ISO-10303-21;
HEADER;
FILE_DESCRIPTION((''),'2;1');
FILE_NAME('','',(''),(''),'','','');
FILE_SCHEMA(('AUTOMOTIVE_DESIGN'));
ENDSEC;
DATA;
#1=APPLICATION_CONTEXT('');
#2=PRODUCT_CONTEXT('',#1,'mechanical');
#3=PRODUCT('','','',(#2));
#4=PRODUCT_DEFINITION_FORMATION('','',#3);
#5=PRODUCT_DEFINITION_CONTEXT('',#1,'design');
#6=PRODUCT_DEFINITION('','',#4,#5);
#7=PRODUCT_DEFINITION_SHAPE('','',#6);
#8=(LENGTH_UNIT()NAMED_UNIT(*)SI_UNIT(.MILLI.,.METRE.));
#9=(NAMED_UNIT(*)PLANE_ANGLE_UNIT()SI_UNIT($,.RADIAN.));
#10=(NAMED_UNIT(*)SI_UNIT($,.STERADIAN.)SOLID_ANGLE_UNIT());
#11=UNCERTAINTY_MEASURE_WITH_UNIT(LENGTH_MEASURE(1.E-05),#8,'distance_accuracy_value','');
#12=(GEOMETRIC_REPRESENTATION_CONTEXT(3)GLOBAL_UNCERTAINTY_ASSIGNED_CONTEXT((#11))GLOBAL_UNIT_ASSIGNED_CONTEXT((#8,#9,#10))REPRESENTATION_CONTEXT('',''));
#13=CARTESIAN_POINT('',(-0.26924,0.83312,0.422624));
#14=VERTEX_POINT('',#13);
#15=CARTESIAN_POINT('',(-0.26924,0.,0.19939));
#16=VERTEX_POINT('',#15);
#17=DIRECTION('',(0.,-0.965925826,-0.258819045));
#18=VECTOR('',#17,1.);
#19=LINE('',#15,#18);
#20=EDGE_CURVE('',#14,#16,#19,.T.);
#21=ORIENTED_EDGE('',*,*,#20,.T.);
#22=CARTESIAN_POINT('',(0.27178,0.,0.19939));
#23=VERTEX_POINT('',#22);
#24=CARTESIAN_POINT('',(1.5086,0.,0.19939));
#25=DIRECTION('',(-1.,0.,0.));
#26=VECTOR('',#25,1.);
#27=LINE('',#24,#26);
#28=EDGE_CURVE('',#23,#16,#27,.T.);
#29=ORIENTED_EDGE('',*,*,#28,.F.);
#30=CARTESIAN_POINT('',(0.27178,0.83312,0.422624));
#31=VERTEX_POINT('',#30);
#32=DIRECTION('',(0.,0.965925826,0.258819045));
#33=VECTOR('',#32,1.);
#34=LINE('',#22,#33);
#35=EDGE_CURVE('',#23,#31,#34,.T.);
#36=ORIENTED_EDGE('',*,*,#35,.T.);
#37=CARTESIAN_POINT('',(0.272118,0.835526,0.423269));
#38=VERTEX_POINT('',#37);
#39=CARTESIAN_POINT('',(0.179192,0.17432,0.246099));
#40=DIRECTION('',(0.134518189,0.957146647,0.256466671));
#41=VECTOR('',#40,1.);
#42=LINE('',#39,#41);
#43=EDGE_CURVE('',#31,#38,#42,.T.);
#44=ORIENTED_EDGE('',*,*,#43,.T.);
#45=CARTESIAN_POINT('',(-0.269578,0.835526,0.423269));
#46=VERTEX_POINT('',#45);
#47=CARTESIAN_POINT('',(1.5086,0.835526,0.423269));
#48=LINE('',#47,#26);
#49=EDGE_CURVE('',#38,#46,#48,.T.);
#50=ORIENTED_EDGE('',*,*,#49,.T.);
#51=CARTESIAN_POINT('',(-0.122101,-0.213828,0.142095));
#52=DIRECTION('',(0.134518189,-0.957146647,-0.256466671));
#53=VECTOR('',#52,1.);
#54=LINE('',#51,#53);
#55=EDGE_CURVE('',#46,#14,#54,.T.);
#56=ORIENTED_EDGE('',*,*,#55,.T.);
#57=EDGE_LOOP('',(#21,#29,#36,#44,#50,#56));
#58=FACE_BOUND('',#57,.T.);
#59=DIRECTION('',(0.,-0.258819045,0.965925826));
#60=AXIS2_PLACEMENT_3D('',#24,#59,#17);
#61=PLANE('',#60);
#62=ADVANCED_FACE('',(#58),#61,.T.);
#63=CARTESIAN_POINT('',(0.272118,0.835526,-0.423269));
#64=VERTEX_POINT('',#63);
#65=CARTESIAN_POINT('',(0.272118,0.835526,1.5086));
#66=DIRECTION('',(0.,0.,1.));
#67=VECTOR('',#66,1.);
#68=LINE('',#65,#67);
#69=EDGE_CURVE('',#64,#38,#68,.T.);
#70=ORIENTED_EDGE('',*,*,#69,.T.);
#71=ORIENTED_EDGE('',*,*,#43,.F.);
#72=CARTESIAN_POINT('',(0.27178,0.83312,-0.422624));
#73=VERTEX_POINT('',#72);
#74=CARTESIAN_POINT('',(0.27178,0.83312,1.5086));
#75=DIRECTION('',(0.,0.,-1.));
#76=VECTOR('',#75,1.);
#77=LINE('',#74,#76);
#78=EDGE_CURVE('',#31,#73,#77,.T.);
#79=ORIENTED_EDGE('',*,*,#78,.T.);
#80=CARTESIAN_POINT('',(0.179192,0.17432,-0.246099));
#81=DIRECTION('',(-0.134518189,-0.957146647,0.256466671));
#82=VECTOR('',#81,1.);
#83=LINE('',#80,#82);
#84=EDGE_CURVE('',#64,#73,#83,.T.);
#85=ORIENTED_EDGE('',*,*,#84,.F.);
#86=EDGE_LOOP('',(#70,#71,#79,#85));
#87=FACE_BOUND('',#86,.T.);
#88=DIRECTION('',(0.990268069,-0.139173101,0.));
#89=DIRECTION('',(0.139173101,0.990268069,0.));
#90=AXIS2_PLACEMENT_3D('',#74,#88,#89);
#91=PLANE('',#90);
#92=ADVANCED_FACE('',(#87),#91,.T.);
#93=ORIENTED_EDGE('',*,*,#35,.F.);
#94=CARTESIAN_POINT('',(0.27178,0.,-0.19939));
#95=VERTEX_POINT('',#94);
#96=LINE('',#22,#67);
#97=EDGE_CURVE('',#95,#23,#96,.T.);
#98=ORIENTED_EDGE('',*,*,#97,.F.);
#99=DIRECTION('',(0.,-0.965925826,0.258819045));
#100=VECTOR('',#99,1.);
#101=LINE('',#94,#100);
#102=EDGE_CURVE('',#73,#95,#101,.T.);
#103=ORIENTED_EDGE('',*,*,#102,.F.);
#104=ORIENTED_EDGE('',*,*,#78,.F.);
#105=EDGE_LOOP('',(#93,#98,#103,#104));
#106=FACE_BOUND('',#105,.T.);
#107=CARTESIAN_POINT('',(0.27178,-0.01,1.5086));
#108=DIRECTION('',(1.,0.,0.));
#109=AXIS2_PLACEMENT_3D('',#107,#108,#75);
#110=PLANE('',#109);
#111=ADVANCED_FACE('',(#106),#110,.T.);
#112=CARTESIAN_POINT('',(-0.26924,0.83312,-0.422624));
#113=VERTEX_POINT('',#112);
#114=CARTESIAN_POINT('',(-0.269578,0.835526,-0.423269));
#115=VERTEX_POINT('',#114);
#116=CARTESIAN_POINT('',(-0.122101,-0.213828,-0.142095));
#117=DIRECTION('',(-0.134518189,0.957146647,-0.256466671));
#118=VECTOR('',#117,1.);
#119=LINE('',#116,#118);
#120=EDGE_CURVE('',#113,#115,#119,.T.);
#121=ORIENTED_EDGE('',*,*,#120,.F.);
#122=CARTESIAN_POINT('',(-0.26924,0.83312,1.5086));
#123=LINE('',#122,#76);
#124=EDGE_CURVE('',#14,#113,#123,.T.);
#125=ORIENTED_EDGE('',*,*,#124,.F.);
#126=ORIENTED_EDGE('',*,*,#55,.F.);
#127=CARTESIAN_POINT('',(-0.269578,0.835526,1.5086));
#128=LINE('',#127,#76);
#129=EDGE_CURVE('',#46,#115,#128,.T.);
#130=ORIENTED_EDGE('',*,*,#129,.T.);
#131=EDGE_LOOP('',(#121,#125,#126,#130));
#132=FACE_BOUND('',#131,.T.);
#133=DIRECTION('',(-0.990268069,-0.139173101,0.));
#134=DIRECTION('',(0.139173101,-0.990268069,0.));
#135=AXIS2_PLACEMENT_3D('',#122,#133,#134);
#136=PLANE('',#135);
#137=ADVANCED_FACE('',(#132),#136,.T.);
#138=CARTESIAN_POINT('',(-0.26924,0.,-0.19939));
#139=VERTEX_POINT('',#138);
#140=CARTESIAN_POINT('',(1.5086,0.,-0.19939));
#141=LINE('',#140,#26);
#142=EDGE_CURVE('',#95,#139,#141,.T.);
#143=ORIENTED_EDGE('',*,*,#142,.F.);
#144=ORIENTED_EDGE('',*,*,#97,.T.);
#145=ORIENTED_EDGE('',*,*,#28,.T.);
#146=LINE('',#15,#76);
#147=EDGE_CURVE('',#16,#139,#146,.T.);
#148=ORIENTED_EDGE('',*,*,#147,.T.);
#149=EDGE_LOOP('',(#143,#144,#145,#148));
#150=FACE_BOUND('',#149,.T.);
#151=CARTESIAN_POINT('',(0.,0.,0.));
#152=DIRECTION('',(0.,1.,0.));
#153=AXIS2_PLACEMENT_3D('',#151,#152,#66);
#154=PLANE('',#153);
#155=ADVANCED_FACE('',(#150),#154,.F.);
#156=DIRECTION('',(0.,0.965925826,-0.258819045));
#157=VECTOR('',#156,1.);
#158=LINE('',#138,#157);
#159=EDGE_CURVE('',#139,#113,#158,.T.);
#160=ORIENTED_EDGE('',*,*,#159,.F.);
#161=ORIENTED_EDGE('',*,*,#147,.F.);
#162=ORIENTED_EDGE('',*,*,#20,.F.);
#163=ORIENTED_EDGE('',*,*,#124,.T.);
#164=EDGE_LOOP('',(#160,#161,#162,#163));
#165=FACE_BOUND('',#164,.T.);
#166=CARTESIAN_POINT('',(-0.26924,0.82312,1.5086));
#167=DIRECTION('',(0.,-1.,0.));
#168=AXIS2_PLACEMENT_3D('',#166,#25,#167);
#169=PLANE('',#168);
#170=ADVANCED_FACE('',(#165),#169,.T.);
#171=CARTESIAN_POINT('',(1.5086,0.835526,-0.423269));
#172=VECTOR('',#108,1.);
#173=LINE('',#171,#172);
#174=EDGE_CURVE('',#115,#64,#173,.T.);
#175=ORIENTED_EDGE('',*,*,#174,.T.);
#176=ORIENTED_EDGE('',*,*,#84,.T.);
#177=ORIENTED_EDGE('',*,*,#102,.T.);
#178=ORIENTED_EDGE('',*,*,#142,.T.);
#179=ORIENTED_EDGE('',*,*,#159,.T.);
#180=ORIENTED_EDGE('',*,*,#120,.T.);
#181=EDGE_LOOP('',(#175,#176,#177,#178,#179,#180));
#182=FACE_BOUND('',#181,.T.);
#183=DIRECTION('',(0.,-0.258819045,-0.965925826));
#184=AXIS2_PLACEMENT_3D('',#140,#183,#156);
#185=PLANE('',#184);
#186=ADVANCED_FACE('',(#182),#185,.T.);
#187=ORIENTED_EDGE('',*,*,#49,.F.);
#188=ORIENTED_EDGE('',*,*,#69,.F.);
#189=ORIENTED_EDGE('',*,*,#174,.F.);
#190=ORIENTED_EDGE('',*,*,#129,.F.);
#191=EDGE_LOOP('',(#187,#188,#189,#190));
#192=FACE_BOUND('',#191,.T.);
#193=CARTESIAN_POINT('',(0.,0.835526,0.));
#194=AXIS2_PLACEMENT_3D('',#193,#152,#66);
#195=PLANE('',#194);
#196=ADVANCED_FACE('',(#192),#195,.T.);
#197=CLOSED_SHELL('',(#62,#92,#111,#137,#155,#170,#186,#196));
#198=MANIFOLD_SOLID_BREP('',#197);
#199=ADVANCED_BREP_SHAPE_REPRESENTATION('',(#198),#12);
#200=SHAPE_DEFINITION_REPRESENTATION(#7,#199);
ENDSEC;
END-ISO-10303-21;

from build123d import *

# Parameters (mm, degrees)
SKETCH_TL_CUTTING_R    = 1.4986
TL_CUTTING_DEPTH       = 29.999999944
SKETCH_TDF_CUTTING_W   = 3.01719996
SKETCH_TDF_CUTTING_H   = 3.01719996
TDF_CUTTING_DEPTH      = 31.074766841
VW_VR_GRINDING_DEPTH   = 1.50859998
VW_VR_GRINDING_2_DEPTH = 1.50859998
ISA_GRINDING_DEPTH     = 1.50859998
SKETCH_PRE_FRX_BRX_W   = 1.21682002
SKETCH_PRE_FRX_BRX_H   = 0.83312
SKETCH_PRE_FRX_BRX_W_2 = 1.24935996
PRE_FRX_BRX_DEPTH      = 1.50859998
FA_BA_GRINDING_DEPTH   = 1.50859998


with BuildPart() as part:
    # sketch_TL_cutting → TL_cutting (new body)
    with BuildSketch(Plane(origin=(0, 0, 0), x_dir=(1, 0, 0), z_dir=(0, 1, 0))):
        with Locations(Location((0, 0, 0), (0, 0, 270))):
            Circle(SKETCH_TL_CUTTING_R)
    extrude(amount=TL_CUTTING_DEPTH)

    # sketch_TDF_cutting → TDF_cutting (cut, through all)
    with BuildSketch(Plane(origin=(0, 0, 0), x_dir=(1, 0, 0), z_dir=(0, 1, 0))):
        with Locations((-2.71001998, 0)):
            Rectangle(SKETCH_TDF_CUTTING_W, SKETCH_TDF_CUTTING_H)
    extrude(amount=TDF_CUTTING_DEPTH, mode=Mode.SUBTRACT)


with BuildPart() as body_2:
    # sketch_VW_VR_grinding → VW_VR_grinding (new, symmetric)
    with BuildSketch(Plane(origin=(0, 0, 0), x_dir=(0, 0, -1), z_dir=(1, 0, 0))):
        with BuildLine():
            Line((-1.49360001, -0.00999998), (-1.49360001, 0.822008914))
            ThreePointArc((-1.49360001, 0.822008914), (-1.493648337, 0.823115792), (-1.493792952, 0.824214246))
            Line((-1.493792952, 0.824214246), (-1.51859996, 0.964901782))
            Line((-1.51859996, 0.964901782), (-1.50859998, -0.00999998))
            Line((-1.50859998, -0.00999998), (-1.49360001, -0.00999998))
        make_face()
    extrude(amount=VW_VR_GRINDING_DEPTH, both=True)


with BuildPart() as body_3:
    # sketch_VW_VR_grinding → VW_VR_grinding 2 (new, symmetric)
    with BuildSketch(Plane(origin=(0, 0, 0), x_dir=(0, 0, -1), z_dir=(1, 0, 0))):
        with BuildLine():
            Line((1.49360001, -0.00999998), (1.49360001, 0.822008914))
            ThreePointArc((1.49360001, 0.822008914), (1.493648337, 0.823115792), (1.493792952, 0.824214246))
            Line((1.493792952, 0.824214246), (1.51859996, 0.964901782))
            Line((1.51859996, 0.964901782), (1.50859998, -0.00999998))
            Line((1.50859998, -0.00999998), (1.49360001, -0.00999998))
        make_face()
    extrude(amount=VW_VR_GRINDING_2_DEPTH, both=True)


    add(body_2.part)  # ISA_grinding merges body 2
    # sketch_ISA_grinding → ISA_grinding (add, symmetric)
    with BuildSketch(Plane(origin=(0, 0, 0), x_dir=(0, 0, -1), z_dir=(1, 0, 0))):
        Polygon((-0.19939, 0), (0.19939, 0), (1.50859998, 4.886038163), (1.50859998, -0.02999994), (-1.50859998, -0.02999994), (-1.50859998, 4.886038163), align=None)
    extrude(amount=ISA_GRINDING_DEPTH, both=True)

    # sketch_pre_FRX_BRX → pre_FRX_BRX (add, symmetric)
    with BuildSketch(Plane.XY):
        with Locations((0.89018999, 0.40656002)):
            Rectangle(SKETCH_PRE_FRX_BRX_W, SKETCH_PRE_FRX_BRX_H)
        with Locations((-0.89391998, 0.40656002)):
            Rectangle(SKETCH_PRE_FRX_BRX_W_2, SKETCH_PRE_FRX_BRX_H)
    extrude(amount=PRE_FRX_BRX_DEPTH, both=True)

    # sketch_FA_BA_grinding → FA_BA_grinding (add, symmetric)
    with BuildSketch(Plane.XY):
        Polygon((0.27178, -0.00999998), (0.27178, 0.83312), (1.6256, 10.466049838), (1.6256, -0.00999998), align=None)
        Polygon((-0.26924, -0.00999998), (-0.26924, 0.83312), (-1.32842, 8.369577303), (-1.32842, -0.00999998), align=None)
    extrude(amount=FA_BA_GRINDING_DEPTH, both=True)


with BuildPart() as part_1:
    add(part.part)

    # B1_fix: cut body 3
    add(body_3.part, mode=Mode.SUBTRACT)

    # SurfaceCut1
    split(bisect_by=Plane(origin=(0, 0.835526316, 0), x_dir=(1, 0, 0), z_dir=(0, 1, 0)), keep=Keep.BOTTOM)


solid = part_1.part
